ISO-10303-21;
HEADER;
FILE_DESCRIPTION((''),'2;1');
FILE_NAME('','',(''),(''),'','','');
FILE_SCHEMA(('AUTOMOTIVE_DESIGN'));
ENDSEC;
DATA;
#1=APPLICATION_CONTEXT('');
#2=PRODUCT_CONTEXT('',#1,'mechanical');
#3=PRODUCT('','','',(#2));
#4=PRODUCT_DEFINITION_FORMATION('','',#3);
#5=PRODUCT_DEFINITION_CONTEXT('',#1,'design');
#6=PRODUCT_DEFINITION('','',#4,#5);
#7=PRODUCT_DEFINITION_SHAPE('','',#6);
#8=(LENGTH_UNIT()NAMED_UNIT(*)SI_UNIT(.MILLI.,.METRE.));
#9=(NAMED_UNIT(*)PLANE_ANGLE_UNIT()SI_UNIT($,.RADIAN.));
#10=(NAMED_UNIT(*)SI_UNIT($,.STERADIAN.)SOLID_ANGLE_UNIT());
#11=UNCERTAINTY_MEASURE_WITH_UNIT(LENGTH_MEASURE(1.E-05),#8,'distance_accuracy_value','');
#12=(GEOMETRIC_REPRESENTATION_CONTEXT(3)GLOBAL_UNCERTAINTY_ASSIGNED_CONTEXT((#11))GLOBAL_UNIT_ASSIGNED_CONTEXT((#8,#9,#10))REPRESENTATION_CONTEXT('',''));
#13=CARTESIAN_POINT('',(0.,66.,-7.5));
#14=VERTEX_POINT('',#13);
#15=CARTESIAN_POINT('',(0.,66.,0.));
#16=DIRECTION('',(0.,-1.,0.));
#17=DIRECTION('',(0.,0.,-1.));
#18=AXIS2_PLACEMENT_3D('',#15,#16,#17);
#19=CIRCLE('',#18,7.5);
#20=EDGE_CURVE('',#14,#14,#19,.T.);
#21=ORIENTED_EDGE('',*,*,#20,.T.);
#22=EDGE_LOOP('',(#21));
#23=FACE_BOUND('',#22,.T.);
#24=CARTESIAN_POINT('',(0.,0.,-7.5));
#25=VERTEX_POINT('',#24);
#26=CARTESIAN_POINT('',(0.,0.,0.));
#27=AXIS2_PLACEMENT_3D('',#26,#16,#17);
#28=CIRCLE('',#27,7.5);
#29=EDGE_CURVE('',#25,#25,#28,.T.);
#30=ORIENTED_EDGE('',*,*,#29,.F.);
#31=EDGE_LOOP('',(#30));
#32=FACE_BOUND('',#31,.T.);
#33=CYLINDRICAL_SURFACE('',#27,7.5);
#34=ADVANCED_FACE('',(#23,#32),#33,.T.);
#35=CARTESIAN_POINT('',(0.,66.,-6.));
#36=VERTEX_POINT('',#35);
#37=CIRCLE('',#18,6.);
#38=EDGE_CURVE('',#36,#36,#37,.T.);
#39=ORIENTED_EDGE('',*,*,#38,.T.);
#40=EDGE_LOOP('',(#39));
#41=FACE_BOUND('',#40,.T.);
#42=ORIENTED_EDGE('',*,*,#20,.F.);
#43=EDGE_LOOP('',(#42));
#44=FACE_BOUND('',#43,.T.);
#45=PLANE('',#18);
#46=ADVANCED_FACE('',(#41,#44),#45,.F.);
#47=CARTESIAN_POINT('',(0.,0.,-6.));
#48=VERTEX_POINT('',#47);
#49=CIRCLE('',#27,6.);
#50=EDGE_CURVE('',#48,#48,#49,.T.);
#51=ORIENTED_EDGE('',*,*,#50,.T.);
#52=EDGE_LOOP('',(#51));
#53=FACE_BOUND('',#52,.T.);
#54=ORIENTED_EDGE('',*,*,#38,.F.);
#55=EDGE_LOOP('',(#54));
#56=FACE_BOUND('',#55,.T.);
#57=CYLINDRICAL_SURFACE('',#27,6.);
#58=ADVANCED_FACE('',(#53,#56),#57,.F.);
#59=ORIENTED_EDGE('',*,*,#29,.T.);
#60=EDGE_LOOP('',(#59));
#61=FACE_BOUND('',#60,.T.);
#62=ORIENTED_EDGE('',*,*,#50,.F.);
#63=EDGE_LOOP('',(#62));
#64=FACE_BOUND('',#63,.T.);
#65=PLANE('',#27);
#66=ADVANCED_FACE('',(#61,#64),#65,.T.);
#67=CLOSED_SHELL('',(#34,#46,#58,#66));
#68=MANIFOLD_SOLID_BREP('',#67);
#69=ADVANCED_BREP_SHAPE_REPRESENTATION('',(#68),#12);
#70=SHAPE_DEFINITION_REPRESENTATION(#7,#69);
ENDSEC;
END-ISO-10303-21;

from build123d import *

# Parameters (mm, degrees)
SKETCH1_W = 1.5
SKETCH1_H = 66


with BuildPart() as part:
    # Sketch1 → Revolve1 (revolve)
    with BuildSketch(Plane.XY, mode=Mode.PRIVATE) as revolve1_sk:
        with Locations((6.75, 33)):
            Rectangle(SKETCH1_W, SKETCH1_H)
    revolve(revolve1_sk.sketch.rotate(Axis((0, 0, 0), (0, 1, 0)), 90), axis=Axis((0, 0, 0), (0, 1, 0)))


solid = part.part
